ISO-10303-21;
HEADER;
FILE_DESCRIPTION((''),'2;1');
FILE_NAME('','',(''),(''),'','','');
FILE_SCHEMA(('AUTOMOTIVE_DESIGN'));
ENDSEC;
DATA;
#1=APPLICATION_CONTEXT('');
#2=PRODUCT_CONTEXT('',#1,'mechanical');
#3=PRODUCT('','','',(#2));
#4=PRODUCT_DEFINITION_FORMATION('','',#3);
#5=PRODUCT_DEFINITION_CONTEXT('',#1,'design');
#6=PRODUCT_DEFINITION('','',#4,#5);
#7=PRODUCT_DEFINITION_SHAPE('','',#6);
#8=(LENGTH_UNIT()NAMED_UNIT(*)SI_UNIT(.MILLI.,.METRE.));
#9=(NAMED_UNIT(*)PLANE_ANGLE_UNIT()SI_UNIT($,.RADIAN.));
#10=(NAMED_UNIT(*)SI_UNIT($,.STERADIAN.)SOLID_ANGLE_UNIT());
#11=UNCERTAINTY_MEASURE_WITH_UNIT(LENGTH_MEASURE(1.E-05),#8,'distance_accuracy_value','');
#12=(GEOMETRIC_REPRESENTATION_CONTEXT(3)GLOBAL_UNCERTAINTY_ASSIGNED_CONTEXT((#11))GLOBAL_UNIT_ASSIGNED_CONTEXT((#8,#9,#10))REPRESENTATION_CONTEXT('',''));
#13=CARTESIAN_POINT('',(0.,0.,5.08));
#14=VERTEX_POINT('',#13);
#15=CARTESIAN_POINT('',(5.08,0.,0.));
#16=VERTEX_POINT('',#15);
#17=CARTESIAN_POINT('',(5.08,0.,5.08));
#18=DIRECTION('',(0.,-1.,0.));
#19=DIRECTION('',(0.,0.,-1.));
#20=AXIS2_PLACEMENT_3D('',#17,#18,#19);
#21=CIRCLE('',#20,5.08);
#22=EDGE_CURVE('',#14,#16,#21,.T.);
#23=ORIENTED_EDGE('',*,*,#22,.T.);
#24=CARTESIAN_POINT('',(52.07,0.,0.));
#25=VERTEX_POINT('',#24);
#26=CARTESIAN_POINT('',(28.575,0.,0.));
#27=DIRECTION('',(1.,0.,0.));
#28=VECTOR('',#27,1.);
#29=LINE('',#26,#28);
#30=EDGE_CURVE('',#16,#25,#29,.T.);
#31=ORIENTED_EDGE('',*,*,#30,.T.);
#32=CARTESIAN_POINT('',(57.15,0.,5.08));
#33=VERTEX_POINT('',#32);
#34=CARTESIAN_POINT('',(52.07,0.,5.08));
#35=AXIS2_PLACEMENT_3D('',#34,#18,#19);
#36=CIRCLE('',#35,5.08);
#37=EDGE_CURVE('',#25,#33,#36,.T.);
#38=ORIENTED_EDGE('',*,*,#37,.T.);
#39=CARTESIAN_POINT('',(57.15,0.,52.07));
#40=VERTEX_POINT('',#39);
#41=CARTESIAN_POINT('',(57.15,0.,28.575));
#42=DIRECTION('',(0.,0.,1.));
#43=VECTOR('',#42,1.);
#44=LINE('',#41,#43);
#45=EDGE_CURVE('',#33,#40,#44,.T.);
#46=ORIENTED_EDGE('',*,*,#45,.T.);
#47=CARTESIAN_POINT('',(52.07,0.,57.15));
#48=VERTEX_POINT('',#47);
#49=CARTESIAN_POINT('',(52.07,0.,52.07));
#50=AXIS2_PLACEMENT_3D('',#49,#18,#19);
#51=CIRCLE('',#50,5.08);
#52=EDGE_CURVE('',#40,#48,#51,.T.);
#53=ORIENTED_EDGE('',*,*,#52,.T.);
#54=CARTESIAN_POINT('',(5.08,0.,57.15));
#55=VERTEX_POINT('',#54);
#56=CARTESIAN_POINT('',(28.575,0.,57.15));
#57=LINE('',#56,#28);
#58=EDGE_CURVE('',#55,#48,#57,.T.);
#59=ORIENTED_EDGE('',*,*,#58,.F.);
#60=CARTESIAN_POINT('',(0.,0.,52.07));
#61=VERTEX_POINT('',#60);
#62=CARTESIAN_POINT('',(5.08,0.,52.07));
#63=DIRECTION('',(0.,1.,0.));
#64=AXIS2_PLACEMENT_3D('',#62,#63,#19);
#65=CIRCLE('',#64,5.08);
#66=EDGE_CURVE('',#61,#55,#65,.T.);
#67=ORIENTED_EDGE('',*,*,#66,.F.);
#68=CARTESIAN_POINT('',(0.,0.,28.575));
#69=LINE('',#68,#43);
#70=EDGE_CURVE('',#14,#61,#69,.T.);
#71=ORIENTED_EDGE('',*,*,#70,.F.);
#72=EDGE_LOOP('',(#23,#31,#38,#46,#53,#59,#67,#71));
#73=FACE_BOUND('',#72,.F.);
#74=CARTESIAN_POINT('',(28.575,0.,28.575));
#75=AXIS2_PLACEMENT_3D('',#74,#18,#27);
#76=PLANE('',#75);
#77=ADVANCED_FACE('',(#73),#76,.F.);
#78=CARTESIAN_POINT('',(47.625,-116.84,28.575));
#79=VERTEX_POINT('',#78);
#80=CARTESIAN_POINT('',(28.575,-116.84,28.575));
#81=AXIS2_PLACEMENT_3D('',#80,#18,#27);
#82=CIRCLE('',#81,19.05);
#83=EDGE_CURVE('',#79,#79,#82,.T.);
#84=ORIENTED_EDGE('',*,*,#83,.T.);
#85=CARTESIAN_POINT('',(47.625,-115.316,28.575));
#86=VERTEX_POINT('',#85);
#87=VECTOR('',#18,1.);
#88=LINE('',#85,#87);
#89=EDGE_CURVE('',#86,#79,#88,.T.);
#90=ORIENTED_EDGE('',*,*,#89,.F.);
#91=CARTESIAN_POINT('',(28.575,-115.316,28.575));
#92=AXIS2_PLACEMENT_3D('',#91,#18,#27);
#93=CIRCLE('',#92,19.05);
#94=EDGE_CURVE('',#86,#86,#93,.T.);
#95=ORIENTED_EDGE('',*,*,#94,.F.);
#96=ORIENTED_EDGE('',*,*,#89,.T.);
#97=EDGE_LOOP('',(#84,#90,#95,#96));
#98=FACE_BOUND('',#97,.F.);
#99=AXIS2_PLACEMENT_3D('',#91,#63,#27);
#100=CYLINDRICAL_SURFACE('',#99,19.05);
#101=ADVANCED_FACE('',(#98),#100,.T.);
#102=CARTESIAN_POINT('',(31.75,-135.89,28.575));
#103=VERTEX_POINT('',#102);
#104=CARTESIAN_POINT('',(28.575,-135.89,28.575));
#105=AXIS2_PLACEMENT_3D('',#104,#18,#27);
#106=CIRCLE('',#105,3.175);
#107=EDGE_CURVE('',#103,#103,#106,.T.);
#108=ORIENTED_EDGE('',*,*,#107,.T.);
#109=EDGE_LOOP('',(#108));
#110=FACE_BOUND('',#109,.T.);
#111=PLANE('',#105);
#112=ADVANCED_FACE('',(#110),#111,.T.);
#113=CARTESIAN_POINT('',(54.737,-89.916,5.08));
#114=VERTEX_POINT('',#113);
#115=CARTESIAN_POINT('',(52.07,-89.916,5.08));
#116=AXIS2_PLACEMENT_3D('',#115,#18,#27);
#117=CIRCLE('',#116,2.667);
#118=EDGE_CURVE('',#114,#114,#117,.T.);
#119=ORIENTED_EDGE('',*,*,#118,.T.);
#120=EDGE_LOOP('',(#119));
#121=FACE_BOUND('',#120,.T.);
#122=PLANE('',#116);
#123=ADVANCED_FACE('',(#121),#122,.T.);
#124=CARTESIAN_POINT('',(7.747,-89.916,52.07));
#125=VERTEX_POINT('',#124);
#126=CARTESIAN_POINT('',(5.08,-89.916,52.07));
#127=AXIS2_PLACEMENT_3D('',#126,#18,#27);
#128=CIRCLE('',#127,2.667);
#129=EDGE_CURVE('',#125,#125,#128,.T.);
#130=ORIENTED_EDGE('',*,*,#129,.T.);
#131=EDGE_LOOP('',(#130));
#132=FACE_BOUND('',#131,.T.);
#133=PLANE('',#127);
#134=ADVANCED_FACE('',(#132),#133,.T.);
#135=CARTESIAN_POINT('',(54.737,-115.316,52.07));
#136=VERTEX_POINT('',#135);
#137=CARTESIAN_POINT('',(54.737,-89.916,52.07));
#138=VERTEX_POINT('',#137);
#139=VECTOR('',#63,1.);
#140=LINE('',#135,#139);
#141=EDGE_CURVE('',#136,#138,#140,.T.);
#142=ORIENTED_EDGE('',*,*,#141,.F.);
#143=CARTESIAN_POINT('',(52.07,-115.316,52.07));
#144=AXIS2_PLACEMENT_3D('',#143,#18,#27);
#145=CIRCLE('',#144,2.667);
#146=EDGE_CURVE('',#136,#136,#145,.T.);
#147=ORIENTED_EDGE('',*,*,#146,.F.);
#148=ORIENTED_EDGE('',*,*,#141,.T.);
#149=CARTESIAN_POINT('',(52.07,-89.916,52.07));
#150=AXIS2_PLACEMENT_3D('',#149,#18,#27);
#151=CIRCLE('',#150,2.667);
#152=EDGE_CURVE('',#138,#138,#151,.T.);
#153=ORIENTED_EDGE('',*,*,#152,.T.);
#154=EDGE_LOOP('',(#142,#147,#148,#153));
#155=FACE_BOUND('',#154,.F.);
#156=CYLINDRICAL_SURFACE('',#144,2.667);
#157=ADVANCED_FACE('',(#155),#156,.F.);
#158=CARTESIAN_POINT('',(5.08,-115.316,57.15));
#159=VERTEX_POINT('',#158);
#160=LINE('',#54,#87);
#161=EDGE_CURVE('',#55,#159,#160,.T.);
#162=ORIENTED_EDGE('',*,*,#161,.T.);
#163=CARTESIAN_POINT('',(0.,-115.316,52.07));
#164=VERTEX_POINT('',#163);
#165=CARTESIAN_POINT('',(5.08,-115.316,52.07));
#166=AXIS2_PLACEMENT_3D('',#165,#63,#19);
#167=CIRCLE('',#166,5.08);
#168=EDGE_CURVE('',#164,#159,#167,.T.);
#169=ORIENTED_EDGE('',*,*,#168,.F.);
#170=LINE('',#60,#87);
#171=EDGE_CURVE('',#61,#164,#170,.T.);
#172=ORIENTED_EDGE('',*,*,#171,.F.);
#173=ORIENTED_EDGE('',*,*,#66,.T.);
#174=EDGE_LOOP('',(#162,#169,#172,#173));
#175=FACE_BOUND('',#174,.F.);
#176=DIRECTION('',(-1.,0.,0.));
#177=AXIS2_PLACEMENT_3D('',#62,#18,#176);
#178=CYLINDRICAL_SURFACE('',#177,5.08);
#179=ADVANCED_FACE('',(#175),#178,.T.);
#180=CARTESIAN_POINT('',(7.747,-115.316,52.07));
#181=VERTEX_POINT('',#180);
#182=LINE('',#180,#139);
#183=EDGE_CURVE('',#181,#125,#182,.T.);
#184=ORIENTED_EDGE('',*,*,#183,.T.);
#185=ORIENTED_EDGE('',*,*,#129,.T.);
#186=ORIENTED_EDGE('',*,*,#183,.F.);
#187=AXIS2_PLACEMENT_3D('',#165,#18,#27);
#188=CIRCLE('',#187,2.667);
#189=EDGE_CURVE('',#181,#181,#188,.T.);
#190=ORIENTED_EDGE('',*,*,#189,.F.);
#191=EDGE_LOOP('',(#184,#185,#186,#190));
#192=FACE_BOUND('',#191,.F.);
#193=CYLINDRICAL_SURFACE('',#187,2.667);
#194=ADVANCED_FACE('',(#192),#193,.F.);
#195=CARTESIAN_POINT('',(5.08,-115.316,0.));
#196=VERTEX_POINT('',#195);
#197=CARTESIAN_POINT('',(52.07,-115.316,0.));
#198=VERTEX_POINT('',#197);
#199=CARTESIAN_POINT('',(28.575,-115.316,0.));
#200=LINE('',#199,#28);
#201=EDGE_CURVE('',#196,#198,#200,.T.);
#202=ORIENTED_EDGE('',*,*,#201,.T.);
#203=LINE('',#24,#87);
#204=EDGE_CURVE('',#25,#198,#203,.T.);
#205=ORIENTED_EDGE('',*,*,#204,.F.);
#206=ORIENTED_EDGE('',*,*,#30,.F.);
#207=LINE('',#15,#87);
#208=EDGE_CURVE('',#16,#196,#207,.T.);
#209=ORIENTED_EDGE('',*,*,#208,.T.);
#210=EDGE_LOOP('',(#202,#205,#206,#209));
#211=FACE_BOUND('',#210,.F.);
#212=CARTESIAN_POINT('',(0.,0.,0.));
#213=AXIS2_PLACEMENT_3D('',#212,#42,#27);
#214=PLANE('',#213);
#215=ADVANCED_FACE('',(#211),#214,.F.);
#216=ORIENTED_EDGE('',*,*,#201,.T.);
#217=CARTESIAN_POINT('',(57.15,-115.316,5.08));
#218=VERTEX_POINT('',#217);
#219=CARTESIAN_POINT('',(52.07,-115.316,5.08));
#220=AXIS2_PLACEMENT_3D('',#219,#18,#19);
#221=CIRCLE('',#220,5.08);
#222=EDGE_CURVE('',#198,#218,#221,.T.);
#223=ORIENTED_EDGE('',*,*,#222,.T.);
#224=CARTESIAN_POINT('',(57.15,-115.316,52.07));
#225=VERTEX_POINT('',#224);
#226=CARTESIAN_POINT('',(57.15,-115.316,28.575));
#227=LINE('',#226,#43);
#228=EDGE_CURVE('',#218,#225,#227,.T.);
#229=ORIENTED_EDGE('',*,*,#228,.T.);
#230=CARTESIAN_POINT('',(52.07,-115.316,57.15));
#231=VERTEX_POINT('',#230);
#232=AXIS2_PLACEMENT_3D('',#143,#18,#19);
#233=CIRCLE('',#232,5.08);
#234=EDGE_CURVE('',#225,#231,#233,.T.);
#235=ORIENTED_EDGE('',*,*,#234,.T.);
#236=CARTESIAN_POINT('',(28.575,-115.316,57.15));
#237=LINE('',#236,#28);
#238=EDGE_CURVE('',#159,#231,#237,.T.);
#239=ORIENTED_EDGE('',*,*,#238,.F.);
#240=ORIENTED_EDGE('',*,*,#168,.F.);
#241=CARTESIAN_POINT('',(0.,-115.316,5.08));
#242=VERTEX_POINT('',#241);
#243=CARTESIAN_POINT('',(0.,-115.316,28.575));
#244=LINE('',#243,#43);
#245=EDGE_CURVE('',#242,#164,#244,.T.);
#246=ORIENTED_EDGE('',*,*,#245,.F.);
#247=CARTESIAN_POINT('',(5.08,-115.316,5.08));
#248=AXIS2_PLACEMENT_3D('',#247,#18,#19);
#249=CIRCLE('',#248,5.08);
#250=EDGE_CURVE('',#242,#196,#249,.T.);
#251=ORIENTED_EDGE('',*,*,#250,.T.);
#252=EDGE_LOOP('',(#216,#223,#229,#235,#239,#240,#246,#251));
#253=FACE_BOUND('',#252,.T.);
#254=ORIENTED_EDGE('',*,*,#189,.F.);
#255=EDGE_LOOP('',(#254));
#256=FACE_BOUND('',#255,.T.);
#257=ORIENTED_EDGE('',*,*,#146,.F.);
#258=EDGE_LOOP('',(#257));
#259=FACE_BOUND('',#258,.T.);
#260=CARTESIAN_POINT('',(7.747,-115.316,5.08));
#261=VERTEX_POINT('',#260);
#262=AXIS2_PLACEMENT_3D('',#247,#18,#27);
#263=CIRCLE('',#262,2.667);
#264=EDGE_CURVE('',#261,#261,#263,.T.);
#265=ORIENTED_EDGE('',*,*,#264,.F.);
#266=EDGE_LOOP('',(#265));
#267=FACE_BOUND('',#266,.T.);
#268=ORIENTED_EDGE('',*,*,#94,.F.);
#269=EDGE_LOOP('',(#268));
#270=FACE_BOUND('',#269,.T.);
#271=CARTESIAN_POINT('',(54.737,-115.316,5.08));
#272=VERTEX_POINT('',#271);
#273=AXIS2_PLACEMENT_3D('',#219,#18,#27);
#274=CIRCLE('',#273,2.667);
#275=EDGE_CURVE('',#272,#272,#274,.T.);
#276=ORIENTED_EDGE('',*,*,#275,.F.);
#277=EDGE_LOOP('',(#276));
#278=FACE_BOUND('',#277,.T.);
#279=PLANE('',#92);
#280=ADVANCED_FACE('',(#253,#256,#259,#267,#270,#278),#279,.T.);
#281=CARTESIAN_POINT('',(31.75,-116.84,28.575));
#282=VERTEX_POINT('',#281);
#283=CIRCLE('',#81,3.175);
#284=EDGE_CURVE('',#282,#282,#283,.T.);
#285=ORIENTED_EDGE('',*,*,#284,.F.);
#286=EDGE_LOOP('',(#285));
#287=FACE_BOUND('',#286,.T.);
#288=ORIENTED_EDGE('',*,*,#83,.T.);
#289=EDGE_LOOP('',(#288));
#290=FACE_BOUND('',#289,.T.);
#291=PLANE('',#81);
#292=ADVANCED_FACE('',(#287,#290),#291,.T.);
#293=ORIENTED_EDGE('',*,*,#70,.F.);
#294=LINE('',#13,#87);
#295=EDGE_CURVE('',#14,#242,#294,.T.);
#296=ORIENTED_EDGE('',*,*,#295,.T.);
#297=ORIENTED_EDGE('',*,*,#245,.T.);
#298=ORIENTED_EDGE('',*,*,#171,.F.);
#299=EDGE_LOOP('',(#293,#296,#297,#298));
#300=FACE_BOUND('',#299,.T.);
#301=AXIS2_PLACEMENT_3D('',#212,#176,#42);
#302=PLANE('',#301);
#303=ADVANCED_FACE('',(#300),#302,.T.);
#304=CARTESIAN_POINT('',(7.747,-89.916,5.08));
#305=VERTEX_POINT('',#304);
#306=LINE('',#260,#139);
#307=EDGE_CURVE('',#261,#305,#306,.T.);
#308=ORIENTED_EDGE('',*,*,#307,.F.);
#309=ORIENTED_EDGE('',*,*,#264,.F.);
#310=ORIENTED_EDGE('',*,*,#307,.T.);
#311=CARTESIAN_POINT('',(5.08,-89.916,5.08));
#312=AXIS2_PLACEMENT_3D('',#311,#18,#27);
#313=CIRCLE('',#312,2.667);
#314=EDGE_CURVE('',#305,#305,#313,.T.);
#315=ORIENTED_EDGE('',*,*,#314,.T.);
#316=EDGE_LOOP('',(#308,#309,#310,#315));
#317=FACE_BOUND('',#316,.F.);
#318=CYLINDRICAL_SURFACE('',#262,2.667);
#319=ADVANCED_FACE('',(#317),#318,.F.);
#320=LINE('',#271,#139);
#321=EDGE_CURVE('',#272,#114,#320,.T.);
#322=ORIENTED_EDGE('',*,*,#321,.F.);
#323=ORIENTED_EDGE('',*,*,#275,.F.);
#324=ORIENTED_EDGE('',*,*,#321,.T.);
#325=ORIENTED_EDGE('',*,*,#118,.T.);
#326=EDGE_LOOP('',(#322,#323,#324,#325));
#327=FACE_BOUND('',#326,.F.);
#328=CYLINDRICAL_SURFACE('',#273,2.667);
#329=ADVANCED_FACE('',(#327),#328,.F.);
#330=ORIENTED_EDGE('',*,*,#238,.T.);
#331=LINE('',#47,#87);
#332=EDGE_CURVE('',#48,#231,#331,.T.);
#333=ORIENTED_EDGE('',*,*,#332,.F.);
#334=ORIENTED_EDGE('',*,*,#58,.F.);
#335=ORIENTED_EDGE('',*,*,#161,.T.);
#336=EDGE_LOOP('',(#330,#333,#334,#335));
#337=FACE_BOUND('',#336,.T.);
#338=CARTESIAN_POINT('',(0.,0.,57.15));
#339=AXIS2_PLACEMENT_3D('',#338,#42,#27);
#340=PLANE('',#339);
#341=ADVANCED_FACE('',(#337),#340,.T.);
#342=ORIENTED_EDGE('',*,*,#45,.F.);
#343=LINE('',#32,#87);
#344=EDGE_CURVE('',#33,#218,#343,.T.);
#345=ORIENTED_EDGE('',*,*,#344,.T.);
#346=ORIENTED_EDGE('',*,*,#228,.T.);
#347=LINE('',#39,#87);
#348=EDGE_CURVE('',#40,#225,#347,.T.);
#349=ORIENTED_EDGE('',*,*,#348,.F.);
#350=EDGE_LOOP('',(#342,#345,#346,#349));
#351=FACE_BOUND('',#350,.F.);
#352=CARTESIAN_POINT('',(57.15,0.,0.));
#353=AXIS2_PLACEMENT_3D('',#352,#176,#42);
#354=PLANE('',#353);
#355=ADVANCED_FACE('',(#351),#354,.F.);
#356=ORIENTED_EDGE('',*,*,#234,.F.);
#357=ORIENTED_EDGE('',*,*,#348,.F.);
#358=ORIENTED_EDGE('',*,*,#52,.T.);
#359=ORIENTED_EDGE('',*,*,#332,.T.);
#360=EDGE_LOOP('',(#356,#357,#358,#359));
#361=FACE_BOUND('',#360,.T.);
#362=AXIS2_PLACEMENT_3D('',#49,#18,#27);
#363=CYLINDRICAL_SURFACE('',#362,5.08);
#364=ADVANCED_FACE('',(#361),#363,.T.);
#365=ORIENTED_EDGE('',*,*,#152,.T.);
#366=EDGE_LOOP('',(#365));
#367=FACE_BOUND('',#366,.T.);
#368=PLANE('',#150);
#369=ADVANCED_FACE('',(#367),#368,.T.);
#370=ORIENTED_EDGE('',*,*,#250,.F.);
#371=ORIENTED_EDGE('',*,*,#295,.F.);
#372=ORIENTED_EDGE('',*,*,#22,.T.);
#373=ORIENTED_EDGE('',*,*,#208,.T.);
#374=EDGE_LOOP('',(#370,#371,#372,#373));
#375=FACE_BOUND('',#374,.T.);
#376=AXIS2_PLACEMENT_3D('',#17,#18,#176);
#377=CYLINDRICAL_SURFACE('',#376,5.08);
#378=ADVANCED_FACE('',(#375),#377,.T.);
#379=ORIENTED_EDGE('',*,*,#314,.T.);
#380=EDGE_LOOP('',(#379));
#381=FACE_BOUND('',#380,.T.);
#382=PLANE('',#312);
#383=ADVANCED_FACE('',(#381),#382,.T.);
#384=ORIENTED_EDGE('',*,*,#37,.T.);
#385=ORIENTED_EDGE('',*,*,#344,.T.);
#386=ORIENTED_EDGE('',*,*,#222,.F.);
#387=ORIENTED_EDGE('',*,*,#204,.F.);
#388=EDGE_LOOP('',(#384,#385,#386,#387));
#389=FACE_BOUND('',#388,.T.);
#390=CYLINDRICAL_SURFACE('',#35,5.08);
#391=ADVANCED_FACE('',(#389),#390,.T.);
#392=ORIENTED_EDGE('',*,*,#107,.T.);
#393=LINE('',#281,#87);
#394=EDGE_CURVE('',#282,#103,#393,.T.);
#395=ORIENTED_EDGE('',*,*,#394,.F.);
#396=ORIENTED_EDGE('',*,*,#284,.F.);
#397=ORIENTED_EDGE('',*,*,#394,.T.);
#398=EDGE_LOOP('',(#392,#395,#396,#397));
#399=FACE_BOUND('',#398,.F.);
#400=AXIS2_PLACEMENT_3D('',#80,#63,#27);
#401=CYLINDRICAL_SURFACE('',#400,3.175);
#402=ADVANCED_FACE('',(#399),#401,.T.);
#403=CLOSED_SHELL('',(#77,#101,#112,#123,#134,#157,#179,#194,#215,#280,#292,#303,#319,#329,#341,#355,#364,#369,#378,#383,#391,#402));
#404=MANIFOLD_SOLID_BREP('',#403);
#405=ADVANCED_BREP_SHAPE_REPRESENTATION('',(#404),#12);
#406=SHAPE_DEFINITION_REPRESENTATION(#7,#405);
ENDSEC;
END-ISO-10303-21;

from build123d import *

# Parameters (mm, degrees)
F0_W     = 57.15
F0_H     = 57.15
F1_DEPTH = 115.316
F2_R     = 5.08
F3_R     = 19.05
F4_DEPTH = 1.524
F5_R     = 3.175
F6_DEPTH = 19.05
F7_R     = 2.667
F8_DEPTH = 25.4


with BuildPart() as f1:
    # F0 (on Front) → F1 (new body)
    with BuildSketch(Plane.XZ):
        with Locations((28.575, 28.575)):
            Rectangle(F0_W, F0_H)
    extrude(amount=F1_DEPTH)

    # F2
    f2_edges = [f1.edges().sort_by_distance(p)[0] for p in [
        (57.15, -57.658, 57.15),
        (57.15, -57.658, 0),
        (0, -57.658, 0),
        (0, -57.658, 57.15),
    ]]
    fillet(f2_edges, radius=F2_R)

    # F3 (on face) → F4 (join)
    with BuildSketch(Plane.XZ.offset(115.316)):
        with Locations((28.575, 28.575)):
            Circle(F3_R)
    extrude(amount=F4_DEPTH)

    # F5 (on face) → F6 (join)
    with BuildSketch(Plane.XZ.offset(116.84)):
        with Locations((28.575, 28.575)):
            Circle(F5_R)
    extrude(amount=F6_DEPTH)

    # F7 (on face) → F8 (cut)
    with BuildSketch(Plane.XZ.offset(115.316)):
        with Locations((52.07, 52.07)):
            Circle(F7_R)
        with Locations((5.08, 52.07)):
            Circle(F7_R)
        with Locations((52.07, 5.08)):
            Circle(F7_R)
        with Locations((5.08, 5.08)):
            Circle(F7_R)
    extrude(amount=-F8_DEPTH, mode=Mode.SUBTRACT)


solid = f1.part
